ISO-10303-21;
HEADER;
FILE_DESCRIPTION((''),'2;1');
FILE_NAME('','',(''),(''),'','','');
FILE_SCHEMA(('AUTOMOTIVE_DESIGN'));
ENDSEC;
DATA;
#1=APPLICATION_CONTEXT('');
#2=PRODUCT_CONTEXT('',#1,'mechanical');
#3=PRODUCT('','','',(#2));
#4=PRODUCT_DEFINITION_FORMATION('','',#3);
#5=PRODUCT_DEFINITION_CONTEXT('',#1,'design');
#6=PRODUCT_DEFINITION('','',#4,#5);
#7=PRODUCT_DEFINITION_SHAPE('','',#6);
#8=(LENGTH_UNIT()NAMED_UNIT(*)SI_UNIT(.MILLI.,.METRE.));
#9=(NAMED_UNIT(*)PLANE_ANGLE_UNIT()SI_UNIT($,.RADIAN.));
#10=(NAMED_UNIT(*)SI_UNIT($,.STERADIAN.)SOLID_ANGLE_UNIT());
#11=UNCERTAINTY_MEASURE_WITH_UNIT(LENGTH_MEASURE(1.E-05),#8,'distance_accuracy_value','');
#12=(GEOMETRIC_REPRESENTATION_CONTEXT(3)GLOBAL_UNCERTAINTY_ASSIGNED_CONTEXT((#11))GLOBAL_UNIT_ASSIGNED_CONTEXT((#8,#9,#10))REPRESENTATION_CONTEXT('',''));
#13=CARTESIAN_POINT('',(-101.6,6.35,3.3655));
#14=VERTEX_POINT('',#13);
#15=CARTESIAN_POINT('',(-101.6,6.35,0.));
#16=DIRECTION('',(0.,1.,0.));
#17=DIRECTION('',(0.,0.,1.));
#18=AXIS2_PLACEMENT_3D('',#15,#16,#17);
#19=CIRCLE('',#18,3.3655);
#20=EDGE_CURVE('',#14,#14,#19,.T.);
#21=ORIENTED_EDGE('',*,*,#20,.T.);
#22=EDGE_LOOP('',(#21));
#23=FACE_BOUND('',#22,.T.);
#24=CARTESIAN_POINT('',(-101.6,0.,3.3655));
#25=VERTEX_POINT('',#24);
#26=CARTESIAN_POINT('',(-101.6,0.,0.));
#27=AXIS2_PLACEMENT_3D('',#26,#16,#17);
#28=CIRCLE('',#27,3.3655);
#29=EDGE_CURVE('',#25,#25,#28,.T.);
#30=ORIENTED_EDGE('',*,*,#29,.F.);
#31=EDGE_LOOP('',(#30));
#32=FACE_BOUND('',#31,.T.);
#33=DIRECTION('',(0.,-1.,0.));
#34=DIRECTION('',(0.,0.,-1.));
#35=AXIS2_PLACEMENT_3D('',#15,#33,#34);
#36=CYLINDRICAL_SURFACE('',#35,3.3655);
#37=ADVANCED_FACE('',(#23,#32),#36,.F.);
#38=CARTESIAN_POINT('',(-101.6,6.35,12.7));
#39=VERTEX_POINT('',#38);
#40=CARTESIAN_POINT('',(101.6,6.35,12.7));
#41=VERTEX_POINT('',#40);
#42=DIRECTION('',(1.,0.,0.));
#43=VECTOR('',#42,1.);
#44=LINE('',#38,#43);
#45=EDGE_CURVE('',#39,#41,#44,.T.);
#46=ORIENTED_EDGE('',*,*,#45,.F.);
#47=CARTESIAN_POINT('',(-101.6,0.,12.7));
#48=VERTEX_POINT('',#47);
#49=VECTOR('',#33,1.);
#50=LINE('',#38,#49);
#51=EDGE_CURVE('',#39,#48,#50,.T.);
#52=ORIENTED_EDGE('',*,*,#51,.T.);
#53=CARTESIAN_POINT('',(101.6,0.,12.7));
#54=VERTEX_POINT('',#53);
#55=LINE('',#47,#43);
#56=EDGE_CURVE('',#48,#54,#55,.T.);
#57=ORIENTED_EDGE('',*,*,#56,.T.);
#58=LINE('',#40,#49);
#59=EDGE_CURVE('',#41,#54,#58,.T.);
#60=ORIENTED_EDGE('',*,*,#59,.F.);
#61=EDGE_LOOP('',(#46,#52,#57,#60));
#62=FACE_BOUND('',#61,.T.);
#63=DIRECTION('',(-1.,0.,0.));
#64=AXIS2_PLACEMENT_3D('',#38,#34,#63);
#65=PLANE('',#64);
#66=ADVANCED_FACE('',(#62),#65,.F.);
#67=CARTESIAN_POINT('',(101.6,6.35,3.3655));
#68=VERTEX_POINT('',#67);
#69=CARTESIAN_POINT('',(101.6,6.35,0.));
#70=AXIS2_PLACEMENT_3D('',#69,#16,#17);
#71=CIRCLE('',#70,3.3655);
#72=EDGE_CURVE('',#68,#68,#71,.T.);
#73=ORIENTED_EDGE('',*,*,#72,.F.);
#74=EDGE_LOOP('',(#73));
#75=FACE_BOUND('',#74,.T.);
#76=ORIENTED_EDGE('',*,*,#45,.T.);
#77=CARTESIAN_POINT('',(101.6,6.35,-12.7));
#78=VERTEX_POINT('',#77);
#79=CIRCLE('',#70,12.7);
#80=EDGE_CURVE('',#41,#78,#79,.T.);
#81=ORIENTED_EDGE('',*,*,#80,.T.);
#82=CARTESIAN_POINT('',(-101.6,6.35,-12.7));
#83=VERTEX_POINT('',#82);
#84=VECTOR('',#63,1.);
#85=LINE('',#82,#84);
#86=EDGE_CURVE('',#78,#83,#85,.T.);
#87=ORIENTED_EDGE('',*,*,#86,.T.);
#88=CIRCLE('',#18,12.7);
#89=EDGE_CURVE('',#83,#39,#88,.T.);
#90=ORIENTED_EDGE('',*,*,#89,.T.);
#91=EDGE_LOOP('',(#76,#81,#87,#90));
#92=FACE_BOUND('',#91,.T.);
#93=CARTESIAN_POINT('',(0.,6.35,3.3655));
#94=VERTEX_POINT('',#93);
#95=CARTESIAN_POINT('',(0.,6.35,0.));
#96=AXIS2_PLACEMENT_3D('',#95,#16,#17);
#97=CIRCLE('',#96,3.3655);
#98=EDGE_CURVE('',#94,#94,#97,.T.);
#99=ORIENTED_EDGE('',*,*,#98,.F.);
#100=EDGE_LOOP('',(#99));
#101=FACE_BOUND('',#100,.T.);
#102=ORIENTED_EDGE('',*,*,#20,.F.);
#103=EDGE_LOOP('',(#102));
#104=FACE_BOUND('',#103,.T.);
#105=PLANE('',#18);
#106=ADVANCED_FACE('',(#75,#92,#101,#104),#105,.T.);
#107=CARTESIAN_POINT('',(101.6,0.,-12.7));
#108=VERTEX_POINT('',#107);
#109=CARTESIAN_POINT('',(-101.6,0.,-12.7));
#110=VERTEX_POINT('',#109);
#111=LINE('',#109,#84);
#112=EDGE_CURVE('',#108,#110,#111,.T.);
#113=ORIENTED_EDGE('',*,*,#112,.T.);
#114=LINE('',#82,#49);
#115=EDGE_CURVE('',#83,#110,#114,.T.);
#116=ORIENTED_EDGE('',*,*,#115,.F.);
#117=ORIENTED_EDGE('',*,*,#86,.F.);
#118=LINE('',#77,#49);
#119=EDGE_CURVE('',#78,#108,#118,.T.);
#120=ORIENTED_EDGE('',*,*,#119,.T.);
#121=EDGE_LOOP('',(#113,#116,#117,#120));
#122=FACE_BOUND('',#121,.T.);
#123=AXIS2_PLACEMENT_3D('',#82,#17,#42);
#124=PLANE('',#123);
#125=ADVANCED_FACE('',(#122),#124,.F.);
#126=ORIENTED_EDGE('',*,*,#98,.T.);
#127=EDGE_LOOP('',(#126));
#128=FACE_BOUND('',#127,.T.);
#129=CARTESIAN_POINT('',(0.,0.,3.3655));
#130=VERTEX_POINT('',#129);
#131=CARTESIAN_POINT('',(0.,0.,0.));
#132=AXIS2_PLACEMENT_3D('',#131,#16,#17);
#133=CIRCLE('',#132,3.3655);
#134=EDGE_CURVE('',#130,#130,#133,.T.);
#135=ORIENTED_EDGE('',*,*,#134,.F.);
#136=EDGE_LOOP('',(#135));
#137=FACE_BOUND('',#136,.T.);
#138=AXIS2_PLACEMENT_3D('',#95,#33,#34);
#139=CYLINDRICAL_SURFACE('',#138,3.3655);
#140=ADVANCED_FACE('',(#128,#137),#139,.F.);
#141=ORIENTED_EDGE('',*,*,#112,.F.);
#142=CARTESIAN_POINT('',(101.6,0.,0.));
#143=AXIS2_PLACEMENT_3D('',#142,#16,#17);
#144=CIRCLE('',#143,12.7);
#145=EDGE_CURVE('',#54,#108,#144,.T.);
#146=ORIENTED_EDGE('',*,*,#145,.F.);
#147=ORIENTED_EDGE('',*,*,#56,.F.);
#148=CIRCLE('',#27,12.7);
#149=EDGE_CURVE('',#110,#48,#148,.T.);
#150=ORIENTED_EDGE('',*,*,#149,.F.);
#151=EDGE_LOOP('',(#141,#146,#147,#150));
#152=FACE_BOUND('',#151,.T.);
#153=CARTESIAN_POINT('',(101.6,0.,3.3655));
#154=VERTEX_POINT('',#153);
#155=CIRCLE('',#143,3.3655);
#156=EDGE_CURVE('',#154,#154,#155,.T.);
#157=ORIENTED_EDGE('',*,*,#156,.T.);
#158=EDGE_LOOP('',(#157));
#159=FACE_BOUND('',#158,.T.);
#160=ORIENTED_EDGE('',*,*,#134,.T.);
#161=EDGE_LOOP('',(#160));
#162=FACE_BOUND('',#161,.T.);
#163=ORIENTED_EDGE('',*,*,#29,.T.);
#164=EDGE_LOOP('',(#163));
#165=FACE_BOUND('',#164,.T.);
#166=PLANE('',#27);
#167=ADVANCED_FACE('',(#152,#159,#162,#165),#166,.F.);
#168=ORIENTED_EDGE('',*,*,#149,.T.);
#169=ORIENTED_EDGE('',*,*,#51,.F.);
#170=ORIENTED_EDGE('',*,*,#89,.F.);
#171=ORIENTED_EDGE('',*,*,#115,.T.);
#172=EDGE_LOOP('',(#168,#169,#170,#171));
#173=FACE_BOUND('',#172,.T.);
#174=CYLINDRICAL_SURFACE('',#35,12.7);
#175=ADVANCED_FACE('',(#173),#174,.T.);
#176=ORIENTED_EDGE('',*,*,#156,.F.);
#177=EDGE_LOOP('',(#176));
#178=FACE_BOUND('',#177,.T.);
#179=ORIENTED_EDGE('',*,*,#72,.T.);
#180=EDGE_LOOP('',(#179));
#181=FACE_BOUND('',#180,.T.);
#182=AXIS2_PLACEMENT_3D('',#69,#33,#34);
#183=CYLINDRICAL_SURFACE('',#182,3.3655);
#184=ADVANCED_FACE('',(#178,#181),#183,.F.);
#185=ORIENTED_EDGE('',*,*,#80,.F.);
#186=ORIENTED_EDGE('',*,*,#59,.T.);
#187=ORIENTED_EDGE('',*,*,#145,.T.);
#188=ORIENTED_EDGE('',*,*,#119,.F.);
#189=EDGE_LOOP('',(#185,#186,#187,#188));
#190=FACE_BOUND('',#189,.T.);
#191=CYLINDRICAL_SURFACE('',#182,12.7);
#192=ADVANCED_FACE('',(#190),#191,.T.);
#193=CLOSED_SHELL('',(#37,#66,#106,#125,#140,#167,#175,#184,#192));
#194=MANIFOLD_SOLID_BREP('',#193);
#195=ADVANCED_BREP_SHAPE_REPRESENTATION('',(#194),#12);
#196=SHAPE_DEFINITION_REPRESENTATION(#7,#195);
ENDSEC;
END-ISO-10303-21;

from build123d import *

# Parameters (mm, degrees)
SKETCH1_R           = 3.3655
BOSS_EXTRUDE1_DEPTH = 6.35


with BuildPart() as part:
    # Sketch1 → Boss-Extrude1 (new body)
    with BuildSketch(Plane(origin=(0, 0, 0), x_dir=(1, 0, 0), z_dir=(0, 1, 0))):
        with BuildLine():
            Line((-101.6, 12.7), (101.6, 12.7))
            ThreePointArc((101.6, 12.7), (114.3, 0), (101.6, -12.7))
            Line((101.6, -12.7), (-101.6, -12.7))
            ThreePointArc((-101.6, -12.7), (-114.3, 0), (-101.6, 12.7))
        make_face()
        with Locations(Location((101.6, 0, 0), (0, 0, 270))):
            Circle(SKETCH1_R, mode=Mode.SUBTRACT)
        with Locations(Location((-101.6, 0, 0), (0, 0, 270))):
            Circle(SKETCH1_R, mode=Mode.SUBTRACT)
        with Locations(Location((0, 0, 0), (0, 0, 270))):
            Circle(SKETCH1_R, mode=Mode.SUBTRACT)
    extrude(amount=BOSS_EXTRUDE1_DEPTH)


solid = part.part
